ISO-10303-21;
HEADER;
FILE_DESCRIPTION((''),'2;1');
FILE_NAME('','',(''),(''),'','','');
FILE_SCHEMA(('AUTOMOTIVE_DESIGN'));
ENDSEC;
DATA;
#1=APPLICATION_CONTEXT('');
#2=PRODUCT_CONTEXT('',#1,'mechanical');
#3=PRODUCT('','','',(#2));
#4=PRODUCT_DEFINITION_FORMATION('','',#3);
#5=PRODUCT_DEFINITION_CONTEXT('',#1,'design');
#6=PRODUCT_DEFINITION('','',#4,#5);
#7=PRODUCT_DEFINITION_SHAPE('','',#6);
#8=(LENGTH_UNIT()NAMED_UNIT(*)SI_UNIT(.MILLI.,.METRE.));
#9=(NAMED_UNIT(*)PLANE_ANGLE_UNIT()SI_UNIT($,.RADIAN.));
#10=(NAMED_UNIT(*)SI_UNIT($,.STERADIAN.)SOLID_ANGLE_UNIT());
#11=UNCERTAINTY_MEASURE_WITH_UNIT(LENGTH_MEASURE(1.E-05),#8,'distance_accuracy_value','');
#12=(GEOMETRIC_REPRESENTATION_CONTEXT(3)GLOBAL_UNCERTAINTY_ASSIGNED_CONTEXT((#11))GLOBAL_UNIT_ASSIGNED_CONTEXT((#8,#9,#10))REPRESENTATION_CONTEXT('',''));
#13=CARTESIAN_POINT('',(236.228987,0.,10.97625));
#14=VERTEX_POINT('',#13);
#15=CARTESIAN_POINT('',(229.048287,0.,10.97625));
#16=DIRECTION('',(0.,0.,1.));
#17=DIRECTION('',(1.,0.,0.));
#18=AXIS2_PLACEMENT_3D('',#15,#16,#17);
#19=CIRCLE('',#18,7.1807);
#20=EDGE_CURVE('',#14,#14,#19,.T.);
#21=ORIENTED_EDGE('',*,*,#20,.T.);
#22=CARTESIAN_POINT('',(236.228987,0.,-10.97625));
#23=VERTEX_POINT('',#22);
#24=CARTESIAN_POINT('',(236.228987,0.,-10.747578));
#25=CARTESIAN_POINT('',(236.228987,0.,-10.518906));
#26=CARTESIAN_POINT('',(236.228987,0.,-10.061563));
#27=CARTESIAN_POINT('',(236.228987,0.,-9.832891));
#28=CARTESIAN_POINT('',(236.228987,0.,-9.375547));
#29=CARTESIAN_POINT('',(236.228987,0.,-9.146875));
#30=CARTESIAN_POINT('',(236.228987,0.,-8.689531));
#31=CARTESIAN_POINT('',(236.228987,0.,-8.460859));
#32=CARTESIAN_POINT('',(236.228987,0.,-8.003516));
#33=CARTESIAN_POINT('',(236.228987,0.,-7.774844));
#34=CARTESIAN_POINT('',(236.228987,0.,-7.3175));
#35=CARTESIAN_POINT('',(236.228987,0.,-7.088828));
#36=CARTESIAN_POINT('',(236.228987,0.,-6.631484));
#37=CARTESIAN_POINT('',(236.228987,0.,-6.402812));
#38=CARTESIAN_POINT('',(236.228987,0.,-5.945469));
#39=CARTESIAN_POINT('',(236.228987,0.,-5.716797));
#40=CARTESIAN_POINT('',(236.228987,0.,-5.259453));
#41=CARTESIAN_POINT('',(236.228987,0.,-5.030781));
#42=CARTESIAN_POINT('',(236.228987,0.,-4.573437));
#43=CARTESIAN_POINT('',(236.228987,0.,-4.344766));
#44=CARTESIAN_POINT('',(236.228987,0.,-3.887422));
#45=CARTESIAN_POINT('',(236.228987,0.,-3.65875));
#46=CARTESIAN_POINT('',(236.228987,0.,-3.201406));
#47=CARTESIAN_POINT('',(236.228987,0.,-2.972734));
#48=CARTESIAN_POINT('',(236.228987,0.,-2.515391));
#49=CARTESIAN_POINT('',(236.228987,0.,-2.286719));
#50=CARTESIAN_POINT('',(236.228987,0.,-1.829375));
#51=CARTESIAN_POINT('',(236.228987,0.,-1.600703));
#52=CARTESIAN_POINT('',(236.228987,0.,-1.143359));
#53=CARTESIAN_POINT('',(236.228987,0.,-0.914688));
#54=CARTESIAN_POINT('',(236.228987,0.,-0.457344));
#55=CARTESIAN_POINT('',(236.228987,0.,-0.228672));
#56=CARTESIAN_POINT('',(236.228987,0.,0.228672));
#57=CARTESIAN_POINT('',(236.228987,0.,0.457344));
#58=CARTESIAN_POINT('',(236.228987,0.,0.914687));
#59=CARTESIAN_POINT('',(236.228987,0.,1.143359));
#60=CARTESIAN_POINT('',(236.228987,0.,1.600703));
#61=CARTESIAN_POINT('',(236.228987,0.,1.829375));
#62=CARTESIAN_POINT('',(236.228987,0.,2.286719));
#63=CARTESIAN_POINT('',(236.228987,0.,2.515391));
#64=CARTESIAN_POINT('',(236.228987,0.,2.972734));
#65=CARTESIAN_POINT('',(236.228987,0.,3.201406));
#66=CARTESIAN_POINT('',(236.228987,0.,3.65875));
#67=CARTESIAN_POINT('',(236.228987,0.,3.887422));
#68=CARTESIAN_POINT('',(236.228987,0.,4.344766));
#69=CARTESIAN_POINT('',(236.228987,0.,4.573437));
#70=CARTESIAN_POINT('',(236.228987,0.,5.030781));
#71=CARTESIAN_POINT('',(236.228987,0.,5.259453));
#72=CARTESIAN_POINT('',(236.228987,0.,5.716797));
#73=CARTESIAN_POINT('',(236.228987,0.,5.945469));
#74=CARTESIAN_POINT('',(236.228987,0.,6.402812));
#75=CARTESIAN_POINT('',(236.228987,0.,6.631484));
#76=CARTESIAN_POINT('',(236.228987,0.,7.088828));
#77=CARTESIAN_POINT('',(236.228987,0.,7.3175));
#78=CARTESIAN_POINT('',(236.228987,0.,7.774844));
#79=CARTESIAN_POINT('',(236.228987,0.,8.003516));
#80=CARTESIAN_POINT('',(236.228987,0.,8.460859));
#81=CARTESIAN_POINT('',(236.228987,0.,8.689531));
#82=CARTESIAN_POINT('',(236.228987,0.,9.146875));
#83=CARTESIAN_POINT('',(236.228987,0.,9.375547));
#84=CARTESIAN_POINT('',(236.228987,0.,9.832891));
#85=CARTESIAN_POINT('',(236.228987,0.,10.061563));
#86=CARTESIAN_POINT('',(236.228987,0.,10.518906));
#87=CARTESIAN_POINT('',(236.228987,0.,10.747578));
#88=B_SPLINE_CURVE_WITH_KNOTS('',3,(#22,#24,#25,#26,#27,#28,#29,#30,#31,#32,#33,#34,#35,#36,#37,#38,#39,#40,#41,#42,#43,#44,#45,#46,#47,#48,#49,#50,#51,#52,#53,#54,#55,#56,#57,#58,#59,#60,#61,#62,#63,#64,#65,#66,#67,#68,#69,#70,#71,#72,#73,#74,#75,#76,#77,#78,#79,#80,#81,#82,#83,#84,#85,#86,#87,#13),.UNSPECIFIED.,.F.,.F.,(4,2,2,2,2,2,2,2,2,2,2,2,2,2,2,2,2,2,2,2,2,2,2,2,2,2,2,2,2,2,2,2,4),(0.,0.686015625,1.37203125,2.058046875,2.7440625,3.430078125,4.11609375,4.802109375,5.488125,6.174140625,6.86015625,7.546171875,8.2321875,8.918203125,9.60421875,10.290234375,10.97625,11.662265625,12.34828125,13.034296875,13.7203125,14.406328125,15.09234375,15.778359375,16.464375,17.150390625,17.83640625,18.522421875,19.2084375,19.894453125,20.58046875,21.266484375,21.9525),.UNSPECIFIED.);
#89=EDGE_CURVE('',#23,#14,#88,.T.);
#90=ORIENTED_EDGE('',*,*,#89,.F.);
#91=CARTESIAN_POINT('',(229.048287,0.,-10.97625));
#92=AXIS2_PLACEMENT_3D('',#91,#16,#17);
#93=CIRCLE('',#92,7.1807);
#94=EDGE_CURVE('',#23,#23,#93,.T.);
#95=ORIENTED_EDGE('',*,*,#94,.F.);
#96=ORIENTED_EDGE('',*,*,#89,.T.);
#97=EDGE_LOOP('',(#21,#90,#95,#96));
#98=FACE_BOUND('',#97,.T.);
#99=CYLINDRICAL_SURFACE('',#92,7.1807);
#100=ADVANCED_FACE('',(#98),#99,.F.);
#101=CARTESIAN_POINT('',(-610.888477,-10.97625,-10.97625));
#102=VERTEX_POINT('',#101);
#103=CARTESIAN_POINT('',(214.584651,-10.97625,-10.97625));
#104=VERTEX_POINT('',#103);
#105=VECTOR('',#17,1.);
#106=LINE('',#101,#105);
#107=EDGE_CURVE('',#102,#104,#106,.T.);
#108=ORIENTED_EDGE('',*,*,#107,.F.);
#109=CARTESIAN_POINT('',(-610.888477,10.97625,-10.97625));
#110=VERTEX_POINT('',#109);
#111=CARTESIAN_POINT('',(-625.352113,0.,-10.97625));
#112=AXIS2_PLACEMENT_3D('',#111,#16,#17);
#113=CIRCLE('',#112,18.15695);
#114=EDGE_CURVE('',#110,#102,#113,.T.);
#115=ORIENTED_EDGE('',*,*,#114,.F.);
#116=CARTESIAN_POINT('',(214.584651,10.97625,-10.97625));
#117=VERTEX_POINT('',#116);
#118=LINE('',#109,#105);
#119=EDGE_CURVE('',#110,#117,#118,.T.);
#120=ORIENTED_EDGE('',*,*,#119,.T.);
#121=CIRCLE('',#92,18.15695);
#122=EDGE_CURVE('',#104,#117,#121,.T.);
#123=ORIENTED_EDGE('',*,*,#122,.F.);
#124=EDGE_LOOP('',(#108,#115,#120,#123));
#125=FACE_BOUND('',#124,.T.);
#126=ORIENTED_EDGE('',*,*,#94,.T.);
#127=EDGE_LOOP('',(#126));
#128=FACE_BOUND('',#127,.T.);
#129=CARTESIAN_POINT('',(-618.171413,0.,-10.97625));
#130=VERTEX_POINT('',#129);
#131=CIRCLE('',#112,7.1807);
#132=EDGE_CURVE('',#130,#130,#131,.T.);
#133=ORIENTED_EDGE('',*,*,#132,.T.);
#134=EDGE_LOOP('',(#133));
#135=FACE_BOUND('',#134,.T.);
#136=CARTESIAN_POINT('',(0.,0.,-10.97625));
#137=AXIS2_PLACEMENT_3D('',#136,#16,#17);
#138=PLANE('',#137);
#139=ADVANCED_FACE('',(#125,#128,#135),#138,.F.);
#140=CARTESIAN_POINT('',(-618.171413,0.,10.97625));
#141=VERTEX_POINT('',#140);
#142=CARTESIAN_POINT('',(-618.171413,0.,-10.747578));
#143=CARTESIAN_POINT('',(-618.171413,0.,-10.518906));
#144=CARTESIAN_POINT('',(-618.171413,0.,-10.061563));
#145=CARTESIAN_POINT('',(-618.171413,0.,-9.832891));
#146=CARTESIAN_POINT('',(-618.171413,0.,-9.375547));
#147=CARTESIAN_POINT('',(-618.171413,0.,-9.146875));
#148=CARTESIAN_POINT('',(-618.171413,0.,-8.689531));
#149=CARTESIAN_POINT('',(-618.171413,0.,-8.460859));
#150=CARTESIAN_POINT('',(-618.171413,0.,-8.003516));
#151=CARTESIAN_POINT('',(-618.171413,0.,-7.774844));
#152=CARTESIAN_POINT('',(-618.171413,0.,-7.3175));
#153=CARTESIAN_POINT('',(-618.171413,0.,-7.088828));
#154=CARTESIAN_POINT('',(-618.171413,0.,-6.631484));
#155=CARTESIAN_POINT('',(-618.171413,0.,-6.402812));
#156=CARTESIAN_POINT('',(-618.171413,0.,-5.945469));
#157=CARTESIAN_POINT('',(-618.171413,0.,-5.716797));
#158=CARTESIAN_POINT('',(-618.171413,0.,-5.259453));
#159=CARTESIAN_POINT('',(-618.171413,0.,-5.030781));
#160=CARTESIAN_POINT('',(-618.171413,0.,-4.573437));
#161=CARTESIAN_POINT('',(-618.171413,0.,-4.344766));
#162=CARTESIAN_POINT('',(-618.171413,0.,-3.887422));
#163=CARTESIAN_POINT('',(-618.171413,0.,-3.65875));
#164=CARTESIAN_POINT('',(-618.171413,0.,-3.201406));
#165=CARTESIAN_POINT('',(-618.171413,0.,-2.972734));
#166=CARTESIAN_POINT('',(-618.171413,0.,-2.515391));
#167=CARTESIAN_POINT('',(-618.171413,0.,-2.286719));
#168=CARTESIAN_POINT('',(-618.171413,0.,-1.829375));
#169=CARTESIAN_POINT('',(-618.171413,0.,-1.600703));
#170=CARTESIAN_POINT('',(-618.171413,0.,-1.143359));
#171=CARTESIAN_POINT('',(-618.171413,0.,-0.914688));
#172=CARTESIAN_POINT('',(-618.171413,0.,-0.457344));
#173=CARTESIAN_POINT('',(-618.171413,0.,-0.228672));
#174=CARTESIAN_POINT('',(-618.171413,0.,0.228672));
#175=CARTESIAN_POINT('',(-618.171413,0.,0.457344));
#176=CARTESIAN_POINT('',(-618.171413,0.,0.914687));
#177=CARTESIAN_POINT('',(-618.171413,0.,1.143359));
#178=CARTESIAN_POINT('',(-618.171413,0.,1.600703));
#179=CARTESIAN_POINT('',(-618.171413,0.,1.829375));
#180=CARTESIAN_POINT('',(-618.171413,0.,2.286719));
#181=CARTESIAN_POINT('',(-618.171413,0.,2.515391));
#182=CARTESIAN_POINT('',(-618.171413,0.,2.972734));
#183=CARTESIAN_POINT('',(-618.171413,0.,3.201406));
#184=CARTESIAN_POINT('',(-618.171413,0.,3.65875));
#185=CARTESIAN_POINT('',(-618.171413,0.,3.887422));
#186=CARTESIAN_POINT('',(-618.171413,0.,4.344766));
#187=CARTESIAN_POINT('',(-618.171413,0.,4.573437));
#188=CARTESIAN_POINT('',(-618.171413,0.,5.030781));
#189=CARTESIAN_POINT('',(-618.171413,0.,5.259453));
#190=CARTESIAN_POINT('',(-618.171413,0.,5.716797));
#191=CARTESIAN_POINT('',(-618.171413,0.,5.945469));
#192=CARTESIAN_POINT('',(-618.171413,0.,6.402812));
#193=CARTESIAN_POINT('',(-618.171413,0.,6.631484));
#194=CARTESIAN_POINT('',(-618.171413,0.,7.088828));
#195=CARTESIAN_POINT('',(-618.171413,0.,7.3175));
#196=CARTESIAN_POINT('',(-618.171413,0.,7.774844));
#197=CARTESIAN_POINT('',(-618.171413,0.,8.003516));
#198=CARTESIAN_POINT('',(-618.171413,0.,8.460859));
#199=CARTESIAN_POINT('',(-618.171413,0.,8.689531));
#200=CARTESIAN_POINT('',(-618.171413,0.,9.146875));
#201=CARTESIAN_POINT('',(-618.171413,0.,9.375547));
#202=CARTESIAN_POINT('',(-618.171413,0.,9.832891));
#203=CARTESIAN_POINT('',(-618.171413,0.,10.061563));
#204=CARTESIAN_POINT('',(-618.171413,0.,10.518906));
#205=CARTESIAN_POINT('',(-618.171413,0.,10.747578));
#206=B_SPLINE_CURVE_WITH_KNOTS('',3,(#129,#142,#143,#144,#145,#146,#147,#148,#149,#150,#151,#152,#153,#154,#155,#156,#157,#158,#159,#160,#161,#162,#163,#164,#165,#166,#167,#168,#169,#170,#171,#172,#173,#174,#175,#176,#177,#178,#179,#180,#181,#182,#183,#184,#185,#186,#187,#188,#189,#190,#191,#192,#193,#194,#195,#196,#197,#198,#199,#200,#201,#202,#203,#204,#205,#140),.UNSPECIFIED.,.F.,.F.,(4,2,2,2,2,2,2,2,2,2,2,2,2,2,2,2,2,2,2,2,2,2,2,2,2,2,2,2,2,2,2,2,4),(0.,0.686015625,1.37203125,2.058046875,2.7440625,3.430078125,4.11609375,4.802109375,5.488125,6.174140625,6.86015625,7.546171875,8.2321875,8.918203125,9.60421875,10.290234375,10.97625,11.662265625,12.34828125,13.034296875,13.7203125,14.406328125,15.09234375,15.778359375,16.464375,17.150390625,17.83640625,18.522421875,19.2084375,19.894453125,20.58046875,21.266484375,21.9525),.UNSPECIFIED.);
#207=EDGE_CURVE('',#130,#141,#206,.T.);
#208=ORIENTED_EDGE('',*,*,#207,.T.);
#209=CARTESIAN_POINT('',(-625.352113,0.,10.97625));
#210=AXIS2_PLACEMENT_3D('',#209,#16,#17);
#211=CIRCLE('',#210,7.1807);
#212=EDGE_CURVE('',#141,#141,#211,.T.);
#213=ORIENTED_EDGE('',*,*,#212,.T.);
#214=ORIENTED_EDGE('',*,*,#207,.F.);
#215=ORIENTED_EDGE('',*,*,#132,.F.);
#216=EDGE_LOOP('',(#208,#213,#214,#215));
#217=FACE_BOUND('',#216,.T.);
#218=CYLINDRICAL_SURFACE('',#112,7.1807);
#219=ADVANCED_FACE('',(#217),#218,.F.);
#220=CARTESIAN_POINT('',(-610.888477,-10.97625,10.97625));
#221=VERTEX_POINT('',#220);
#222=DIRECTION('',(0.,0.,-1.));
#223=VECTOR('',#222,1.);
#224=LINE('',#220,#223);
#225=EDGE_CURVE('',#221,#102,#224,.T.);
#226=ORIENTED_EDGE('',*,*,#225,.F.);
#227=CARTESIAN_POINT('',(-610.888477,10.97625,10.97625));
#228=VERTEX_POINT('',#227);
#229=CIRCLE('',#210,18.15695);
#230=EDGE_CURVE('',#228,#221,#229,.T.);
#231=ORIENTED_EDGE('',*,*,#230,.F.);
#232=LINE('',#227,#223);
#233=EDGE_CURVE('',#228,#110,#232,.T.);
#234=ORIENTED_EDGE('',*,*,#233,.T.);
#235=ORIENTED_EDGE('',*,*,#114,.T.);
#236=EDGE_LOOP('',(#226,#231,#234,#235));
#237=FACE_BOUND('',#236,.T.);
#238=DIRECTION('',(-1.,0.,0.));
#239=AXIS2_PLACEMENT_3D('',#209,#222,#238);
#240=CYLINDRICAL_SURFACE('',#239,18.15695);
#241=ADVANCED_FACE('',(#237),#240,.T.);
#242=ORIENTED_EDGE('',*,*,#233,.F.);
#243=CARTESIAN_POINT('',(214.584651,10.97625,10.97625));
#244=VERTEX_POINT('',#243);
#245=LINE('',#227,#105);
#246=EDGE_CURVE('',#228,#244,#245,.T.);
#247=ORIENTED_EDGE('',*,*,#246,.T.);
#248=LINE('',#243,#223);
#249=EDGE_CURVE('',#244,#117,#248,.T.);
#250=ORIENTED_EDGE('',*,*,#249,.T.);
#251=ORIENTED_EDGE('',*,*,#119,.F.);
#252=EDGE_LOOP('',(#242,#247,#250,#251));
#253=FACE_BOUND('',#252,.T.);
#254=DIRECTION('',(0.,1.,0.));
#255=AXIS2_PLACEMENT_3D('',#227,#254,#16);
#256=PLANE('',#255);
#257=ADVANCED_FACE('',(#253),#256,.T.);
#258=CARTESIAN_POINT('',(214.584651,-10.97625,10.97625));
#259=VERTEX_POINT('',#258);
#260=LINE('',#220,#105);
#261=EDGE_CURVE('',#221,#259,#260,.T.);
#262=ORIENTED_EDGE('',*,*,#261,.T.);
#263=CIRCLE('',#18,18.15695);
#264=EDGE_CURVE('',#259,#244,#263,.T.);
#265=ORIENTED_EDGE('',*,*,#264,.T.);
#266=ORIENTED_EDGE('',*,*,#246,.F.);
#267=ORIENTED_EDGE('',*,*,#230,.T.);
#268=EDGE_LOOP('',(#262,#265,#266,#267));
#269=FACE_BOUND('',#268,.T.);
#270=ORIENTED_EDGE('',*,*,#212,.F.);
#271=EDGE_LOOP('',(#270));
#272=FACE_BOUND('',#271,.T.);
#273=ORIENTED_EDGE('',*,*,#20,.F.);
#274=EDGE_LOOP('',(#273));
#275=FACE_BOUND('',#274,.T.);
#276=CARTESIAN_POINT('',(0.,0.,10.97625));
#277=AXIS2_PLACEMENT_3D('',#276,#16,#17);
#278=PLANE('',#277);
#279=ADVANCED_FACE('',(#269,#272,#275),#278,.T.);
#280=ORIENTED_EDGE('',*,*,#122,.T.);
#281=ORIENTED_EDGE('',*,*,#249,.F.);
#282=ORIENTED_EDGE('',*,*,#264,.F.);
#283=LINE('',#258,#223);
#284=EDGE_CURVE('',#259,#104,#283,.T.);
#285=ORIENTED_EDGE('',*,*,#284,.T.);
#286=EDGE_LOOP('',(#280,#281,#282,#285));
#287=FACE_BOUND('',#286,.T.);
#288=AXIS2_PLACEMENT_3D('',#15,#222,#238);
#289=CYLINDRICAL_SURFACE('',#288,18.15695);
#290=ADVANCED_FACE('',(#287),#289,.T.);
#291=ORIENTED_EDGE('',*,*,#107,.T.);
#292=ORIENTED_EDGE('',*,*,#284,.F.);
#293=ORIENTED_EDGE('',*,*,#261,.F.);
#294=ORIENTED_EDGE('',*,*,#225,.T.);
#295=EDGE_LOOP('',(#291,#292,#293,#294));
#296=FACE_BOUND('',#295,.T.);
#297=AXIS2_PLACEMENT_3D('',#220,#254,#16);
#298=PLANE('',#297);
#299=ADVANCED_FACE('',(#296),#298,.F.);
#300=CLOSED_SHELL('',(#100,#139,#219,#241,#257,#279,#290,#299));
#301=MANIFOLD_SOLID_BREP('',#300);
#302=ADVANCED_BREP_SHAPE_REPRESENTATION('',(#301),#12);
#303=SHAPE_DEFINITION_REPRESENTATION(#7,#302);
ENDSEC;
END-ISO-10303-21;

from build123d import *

# Parameters (mm, degrees)
SKETCH3_R           = 18.15695
SKETCH3_W           = 825.4731278
SKETCH3_H           = 21.9525
BOSS_EXTRUDE1_DEPTH = 10.97625
SKETCH4_R           = 7.1807
CUT_EXTRUDE1_DEPTH  = 645.139348927


with BuildPart() as part:
    # Sketch3 → Boss-Extrude1 (new, symmetric)
    with BuildSketch(Plane.XY):
        with Locations((-625.352112676, 0)):
            Circle(SKETCH3_R)
        with Locations((229.048287324, 0)):
            Circle(SKETCH3_R)
        with Locations((-198.151912676, 0)):
            Rectangle(SKETCH3_W, SKETCH3_H)
    extrude(amount=BOSS_EXTRUDE1_DEPTH, both=True)

    # Sketch4 → Cut-Extrude1 (cut, through all)
    with BuildSketch(Plane.XY.offset(10.97625)):
        with Locations((-625.352112676, 0)):
            Circle(SKETCH4_R)
        with Locations((229.048287324, 0)):
            Circle(SKETCH4_R)
    extrude(amount=-CUT_EXTRUDE1_DEPTH, mode=Mode.SUBTRACT)


solid = part.part
